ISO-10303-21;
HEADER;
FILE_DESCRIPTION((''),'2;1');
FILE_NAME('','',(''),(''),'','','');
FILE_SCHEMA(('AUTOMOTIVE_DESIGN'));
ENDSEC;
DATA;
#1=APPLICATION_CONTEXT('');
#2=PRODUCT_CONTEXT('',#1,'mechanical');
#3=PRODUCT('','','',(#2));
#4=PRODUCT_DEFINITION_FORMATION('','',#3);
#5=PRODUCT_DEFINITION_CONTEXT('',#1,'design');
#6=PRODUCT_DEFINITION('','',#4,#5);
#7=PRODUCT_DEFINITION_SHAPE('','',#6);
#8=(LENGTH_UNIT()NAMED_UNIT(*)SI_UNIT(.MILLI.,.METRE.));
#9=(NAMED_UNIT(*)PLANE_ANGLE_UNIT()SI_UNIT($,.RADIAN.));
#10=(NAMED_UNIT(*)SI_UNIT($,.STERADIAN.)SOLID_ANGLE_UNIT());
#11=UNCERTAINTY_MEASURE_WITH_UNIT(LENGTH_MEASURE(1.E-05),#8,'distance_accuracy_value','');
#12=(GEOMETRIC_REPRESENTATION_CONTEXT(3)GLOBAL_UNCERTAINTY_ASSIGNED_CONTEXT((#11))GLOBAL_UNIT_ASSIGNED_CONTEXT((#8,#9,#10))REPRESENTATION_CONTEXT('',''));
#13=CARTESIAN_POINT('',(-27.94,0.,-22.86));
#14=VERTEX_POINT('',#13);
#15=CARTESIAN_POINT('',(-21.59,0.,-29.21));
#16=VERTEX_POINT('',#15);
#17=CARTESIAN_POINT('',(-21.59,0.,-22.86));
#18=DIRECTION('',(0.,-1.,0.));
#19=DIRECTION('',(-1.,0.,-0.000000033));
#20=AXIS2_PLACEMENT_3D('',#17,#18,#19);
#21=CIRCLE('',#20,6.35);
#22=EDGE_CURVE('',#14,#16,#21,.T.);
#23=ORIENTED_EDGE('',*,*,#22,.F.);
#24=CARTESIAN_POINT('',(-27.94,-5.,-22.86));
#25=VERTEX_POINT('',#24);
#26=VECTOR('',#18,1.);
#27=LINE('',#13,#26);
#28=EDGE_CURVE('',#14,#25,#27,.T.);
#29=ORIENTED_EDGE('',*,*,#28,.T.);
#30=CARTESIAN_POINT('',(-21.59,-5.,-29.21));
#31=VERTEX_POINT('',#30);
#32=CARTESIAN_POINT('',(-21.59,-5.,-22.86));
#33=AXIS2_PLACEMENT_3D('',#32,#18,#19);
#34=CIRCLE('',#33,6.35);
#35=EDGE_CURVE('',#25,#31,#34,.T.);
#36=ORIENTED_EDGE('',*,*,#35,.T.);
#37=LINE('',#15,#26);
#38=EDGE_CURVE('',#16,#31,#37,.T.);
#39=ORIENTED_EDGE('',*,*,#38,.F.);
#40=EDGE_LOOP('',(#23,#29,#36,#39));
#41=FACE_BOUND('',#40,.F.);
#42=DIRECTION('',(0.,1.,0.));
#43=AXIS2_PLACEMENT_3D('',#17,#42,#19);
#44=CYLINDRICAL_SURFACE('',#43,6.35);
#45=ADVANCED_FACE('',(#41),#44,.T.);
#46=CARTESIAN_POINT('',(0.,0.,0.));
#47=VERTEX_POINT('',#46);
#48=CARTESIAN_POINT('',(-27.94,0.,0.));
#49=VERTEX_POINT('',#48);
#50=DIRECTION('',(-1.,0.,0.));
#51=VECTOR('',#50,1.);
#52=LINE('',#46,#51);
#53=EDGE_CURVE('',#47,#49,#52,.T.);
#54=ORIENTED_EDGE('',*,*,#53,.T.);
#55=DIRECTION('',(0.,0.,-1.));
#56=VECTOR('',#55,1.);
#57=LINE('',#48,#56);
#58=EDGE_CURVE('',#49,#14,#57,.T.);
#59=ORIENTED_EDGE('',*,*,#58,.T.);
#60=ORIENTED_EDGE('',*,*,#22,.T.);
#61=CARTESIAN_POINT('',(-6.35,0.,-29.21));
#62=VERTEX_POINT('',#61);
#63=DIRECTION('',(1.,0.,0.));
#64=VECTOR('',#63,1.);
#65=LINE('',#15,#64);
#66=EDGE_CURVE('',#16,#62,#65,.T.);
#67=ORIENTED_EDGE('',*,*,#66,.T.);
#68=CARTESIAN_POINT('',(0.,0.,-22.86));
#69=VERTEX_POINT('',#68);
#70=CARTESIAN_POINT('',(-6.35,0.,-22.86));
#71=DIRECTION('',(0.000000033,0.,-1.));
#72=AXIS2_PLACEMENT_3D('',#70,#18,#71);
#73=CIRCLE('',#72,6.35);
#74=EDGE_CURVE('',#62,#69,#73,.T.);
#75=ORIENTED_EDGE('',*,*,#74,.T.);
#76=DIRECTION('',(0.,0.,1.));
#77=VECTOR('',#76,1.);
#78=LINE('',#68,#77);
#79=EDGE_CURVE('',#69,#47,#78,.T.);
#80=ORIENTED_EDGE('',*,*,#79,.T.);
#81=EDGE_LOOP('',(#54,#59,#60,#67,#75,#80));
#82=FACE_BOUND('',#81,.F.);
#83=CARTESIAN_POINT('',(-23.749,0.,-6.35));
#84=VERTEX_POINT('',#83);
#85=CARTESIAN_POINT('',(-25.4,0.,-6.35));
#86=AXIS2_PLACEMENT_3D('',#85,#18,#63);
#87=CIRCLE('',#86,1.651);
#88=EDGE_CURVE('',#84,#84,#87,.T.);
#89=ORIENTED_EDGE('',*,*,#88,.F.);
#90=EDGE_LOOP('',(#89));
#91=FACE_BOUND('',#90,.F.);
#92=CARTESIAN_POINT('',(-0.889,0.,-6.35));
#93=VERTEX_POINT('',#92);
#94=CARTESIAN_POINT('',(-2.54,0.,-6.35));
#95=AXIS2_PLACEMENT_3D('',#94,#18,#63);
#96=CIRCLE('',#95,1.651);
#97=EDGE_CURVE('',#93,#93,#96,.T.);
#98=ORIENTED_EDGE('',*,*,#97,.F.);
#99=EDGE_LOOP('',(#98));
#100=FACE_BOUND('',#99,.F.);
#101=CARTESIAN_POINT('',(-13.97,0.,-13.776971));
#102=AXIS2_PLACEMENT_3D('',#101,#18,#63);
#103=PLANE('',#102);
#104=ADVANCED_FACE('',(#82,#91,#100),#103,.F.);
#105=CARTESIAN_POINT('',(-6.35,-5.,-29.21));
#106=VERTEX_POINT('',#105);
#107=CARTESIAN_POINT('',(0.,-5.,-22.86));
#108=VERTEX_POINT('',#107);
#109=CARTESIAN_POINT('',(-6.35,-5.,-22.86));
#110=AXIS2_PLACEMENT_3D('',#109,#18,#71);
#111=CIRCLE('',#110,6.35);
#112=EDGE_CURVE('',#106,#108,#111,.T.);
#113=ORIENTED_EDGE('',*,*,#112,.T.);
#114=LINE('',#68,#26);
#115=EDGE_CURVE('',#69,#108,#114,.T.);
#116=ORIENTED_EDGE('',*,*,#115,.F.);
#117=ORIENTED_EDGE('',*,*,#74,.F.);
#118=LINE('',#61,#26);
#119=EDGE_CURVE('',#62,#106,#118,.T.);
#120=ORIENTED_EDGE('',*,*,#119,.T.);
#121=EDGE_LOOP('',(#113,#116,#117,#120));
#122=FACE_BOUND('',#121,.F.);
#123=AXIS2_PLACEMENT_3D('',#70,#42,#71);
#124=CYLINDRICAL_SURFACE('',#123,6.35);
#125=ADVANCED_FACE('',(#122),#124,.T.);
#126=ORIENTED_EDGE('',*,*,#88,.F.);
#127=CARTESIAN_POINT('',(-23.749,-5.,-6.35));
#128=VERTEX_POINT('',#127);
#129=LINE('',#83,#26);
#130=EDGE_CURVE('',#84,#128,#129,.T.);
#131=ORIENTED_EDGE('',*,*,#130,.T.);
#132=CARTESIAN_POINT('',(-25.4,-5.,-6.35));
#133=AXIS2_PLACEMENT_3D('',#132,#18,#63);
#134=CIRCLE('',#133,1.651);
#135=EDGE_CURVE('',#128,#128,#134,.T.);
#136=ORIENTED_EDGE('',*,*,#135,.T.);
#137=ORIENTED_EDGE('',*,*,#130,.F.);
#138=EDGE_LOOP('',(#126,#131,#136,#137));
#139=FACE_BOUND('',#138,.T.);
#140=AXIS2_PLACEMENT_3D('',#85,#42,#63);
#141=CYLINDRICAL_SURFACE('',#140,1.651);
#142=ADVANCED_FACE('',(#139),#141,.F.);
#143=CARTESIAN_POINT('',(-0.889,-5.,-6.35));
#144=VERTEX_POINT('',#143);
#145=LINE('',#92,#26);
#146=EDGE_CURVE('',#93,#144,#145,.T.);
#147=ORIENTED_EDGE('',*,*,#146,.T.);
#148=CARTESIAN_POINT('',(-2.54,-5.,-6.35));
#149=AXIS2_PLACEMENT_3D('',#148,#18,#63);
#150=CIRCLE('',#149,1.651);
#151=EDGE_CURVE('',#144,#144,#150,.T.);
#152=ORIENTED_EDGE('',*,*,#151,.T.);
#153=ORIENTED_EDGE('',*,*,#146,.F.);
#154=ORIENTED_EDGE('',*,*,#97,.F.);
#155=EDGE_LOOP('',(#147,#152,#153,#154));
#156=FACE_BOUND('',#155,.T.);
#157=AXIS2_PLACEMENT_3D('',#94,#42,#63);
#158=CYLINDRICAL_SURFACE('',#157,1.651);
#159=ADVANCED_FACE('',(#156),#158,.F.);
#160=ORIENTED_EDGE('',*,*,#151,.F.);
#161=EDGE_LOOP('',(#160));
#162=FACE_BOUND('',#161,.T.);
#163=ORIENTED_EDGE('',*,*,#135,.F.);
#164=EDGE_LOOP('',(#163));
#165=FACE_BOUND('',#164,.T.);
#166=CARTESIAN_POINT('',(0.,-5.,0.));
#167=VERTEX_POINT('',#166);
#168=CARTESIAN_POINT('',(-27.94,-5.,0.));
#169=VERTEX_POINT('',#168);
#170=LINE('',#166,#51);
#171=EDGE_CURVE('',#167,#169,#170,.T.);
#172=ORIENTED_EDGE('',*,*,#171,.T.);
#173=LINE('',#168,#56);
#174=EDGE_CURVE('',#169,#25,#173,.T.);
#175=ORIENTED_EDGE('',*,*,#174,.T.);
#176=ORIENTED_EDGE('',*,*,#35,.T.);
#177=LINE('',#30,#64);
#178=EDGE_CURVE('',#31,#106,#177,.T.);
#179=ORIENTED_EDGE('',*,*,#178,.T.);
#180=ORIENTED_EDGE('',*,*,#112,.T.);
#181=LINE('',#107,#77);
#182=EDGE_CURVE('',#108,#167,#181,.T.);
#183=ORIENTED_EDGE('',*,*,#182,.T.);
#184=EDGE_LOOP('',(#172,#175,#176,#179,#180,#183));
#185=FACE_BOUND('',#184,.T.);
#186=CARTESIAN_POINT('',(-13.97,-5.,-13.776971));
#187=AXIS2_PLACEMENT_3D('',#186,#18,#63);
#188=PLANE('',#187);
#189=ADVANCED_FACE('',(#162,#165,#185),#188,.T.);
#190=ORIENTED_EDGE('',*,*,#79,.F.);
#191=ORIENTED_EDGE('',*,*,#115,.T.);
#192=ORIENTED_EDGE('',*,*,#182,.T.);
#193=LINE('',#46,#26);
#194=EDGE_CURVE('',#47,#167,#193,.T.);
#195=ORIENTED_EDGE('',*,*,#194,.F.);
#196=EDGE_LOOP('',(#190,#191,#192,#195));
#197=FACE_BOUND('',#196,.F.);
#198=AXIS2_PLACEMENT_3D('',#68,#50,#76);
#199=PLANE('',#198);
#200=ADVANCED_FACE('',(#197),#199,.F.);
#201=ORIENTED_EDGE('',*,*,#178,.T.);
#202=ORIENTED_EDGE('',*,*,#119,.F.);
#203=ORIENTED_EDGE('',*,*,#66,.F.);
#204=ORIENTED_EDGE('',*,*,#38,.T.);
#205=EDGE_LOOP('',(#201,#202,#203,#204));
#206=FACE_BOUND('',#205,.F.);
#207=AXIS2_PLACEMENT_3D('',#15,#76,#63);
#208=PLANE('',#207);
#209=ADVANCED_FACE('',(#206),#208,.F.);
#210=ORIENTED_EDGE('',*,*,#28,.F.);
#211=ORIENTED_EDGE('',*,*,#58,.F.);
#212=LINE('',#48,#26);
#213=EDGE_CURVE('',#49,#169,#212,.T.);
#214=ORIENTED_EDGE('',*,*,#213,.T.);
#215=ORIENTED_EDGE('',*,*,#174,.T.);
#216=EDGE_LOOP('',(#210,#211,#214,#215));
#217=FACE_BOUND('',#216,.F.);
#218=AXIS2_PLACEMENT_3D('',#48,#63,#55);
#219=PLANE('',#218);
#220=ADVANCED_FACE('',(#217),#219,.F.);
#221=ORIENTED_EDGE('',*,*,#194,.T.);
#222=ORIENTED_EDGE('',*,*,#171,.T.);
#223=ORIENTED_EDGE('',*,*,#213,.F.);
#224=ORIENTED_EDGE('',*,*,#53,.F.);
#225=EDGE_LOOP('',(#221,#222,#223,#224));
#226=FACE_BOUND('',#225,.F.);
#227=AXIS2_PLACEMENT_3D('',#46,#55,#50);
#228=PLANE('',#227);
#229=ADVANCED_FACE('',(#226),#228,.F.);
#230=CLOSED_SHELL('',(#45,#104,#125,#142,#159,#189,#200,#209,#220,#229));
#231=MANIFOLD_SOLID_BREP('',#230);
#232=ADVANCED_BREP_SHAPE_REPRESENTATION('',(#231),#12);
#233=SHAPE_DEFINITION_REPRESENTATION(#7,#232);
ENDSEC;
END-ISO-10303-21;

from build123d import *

# Parameters (mm, degrees)
F0_R     = 1.651
F1_DEPTH = 5


with BuildPart() as f1:
    # F0 (on Front) → F1 (new body)
    with BuildSketch(Plane.XZ):
        with BuildLine():
            Line((0, 0), (-27.94, 0))
            Line((-27.94, 0), (-27.94, -22.86))
            ThreePointArc((-27.94, -22.86), (-26.080128, -27.350128), (-21.59, -29.21))
            Line((-21.59, -29.21), (-6.35, -29.21))
            ThreePointArc((-6.35, -29.21), (-1.859872, -27.350128), (0, -22.86))
            Line((0, -22.86), (0, 0))
        make_face()
        with Locations((-25.4, -6.35)):
            Circle(F0_R, mode=Mode.SUBTRACT)
        with Locations((-2.54, -6.35)):
            Circle(F0_R, mode=Mode.SUBTRACT)
    extrude(amount=F1_DEPTH)


solid = f1.part
